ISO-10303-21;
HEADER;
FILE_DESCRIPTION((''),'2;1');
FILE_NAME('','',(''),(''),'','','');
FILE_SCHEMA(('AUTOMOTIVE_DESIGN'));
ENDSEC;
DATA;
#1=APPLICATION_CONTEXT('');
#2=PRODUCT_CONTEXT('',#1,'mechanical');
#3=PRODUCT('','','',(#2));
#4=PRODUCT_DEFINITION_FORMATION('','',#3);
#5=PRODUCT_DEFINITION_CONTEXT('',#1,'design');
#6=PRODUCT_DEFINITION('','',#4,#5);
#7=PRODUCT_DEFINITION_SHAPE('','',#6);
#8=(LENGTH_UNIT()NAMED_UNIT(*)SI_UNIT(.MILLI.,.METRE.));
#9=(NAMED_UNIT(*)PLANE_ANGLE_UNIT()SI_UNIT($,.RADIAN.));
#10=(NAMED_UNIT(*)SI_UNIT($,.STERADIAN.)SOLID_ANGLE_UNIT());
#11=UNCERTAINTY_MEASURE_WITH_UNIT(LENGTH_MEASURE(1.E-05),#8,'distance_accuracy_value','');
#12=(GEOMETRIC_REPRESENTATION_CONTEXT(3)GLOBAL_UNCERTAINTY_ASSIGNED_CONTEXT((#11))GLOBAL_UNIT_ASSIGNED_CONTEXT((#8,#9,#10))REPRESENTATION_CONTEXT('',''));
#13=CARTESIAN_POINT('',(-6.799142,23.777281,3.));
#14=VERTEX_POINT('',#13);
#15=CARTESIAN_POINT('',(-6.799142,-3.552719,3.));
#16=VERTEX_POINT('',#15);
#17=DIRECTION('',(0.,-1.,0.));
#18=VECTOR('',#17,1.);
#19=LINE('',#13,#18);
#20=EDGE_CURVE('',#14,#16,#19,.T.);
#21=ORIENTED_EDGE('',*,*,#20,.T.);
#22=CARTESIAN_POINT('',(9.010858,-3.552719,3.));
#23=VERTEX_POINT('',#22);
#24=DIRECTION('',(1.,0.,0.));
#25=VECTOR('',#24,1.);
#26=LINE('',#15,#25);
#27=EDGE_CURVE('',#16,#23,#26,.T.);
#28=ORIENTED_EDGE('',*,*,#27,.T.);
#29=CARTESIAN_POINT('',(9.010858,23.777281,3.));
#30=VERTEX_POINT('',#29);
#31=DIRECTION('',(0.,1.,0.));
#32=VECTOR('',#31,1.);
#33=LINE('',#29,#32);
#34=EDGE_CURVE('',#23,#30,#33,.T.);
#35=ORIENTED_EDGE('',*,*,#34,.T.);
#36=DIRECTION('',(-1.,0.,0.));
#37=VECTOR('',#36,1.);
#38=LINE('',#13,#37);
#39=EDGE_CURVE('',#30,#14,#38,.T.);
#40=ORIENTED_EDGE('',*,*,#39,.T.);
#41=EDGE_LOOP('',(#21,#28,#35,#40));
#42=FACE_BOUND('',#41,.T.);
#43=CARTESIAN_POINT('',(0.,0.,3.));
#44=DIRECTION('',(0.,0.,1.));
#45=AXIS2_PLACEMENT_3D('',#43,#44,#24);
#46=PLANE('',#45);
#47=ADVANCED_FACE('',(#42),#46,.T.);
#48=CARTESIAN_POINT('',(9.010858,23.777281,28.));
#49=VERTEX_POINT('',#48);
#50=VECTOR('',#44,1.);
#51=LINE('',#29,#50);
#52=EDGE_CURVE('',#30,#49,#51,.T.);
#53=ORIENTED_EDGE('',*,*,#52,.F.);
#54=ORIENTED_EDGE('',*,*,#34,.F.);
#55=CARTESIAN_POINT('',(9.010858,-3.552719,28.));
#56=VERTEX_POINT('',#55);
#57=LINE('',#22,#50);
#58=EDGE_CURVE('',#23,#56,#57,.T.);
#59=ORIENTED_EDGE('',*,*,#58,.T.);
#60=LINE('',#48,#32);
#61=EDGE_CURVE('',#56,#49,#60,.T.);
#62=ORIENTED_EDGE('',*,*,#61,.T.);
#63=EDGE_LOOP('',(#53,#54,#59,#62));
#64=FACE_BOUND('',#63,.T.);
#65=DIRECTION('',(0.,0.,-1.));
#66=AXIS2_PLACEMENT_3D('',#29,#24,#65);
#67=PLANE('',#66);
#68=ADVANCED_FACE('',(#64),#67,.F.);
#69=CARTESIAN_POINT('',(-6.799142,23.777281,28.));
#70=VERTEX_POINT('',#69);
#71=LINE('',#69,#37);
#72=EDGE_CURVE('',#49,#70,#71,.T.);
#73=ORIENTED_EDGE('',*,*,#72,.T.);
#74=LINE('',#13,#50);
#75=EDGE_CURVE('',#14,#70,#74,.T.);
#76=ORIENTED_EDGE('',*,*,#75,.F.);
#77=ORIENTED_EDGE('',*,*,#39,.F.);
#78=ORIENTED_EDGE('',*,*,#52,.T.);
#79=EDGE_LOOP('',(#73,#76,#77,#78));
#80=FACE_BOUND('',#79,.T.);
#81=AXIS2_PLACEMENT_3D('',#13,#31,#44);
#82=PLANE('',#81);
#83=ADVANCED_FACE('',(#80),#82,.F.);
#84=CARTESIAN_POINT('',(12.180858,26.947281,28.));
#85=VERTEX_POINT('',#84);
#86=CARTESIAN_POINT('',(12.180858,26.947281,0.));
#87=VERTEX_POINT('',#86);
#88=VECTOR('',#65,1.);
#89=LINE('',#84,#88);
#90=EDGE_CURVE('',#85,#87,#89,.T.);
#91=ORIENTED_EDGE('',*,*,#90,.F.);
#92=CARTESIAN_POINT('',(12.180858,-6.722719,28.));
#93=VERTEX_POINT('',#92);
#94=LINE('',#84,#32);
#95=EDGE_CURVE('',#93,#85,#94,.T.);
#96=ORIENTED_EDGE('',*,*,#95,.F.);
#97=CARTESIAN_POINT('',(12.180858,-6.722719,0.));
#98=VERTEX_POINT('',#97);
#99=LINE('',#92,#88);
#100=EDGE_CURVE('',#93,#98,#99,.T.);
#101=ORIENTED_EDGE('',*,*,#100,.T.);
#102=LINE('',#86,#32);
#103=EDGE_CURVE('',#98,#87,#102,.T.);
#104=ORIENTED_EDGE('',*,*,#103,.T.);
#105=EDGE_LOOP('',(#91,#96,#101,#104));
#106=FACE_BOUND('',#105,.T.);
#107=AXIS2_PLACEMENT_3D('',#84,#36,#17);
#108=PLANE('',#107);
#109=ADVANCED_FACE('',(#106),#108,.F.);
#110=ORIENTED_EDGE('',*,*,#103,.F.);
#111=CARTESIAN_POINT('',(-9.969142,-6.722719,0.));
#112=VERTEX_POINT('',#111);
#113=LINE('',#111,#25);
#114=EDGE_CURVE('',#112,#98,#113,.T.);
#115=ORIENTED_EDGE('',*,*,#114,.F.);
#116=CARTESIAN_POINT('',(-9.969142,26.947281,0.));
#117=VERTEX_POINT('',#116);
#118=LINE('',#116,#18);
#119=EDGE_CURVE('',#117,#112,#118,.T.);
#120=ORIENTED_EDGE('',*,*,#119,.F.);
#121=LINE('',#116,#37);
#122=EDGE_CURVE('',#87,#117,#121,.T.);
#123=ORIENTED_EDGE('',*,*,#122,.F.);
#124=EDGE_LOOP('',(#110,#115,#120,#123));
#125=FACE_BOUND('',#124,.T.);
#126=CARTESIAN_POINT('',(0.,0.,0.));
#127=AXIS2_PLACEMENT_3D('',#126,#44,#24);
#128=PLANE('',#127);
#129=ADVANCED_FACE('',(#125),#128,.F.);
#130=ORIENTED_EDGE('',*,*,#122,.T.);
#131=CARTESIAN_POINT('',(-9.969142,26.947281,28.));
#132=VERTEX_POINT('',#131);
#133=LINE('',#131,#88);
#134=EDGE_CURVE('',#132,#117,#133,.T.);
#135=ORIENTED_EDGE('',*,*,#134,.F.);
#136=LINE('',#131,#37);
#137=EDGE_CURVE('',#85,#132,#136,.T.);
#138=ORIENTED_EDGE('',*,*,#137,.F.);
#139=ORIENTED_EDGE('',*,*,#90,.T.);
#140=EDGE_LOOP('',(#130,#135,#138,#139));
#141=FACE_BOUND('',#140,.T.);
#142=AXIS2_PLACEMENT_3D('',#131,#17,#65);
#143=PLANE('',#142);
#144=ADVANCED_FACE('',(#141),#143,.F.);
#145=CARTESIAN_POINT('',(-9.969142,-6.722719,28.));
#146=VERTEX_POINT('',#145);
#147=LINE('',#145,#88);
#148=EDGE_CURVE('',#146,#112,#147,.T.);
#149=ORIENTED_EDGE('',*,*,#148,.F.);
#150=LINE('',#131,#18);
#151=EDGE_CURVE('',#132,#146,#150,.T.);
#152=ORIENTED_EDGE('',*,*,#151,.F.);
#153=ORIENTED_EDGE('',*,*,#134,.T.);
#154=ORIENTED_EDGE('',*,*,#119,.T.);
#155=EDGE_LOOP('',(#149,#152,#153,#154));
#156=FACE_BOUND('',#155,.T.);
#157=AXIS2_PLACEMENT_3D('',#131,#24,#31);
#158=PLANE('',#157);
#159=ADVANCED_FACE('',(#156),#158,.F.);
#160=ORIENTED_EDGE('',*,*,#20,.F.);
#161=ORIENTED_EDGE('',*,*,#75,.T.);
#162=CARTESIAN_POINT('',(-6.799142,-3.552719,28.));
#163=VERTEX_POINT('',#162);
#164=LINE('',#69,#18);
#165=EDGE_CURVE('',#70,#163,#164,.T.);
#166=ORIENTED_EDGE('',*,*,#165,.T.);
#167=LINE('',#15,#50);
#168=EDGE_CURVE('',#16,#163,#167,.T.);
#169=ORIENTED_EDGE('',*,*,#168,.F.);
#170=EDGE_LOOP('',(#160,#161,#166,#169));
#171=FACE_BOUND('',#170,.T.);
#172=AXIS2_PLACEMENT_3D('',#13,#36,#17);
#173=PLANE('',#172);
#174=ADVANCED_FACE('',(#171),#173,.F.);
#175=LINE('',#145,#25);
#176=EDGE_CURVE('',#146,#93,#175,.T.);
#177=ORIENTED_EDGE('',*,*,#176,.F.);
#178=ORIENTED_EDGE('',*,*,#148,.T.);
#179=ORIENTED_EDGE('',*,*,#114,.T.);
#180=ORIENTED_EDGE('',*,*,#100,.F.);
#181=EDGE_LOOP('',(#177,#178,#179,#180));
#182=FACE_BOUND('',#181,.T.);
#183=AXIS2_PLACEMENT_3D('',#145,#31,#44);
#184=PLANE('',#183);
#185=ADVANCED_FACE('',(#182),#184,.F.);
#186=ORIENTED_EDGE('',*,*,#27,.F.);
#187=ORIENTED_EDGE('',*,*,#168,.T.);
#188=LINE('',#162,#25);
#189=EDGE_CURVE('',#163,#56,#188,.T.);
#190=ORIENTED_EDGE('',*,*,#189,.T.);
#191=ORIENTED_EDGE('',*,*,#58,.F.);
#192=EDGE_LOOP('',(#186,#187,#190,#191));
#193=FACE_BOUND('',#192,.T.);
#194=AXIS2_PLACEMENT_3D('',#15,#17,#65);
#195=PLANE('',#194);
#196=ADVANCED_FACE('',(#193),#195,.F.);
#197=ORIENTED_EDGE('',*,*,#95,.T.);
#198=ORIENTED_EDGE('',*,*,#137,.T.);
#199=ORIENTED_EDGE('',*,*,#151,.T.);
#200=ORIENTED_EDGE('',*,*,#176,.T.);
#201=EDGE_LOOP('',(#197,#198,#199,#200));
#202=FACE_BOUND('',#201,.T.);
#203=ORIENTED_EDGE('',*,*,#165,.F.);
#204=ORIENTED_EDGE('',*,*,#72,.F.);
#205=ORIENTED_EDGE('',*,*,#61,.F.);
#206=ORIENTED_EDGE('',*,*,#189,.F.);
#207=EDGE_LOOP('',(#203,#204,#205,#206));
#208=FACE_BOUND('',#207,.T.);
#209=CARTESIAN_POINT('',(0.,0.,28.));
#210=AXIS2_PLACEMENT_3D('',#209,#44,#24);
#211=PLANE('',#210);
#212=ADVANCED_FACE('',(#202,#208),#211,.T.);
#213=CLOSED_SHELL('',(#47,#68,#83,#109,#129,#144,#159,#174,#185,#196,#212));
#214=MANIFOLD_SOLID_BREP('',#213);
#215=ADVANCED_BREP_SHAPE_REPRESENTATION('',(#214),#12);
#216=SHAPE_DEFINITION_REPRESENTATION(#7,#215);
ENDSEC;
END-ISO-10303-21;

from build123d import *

# Parameters (mm, degrees)
CROQUIS1_W              = 22.15
CROQUIS1_H              = 33.67
SALIENTE_EXTRUIR1_DEPTH = 28
CROQUIS2_W              = 15.81
CROQUIS2_H              = 27.33
CORTAR_EXTRUIR1_DEPTH   = 25


with BuildPart() as part:
    # Croquis1 → Saliente-Extruir1 (new body)
    with BuildSketch(Plane.XY):
        with Locations((1.105857743, 10.112280702)):
            Rectangle(CROQUIS1_W, CROQUIS1_H)
    extrude(amount=SALIENTE_EXTRUIR1_DEPTH)

    # Croquis2 → Cortar-Extruir1 (cut)
    with BuildSketch(Plane.XY.offset(28)):
        with Locations((1.105857743, 10.112280702)):
            Rectangle(CROQUIS2_W, CROQUIS2_H)
    extrude(amount=-CORTAR_EXTRUIR1_DEPTH, mode=Mode.SUBTRACT)


solid = part.part
